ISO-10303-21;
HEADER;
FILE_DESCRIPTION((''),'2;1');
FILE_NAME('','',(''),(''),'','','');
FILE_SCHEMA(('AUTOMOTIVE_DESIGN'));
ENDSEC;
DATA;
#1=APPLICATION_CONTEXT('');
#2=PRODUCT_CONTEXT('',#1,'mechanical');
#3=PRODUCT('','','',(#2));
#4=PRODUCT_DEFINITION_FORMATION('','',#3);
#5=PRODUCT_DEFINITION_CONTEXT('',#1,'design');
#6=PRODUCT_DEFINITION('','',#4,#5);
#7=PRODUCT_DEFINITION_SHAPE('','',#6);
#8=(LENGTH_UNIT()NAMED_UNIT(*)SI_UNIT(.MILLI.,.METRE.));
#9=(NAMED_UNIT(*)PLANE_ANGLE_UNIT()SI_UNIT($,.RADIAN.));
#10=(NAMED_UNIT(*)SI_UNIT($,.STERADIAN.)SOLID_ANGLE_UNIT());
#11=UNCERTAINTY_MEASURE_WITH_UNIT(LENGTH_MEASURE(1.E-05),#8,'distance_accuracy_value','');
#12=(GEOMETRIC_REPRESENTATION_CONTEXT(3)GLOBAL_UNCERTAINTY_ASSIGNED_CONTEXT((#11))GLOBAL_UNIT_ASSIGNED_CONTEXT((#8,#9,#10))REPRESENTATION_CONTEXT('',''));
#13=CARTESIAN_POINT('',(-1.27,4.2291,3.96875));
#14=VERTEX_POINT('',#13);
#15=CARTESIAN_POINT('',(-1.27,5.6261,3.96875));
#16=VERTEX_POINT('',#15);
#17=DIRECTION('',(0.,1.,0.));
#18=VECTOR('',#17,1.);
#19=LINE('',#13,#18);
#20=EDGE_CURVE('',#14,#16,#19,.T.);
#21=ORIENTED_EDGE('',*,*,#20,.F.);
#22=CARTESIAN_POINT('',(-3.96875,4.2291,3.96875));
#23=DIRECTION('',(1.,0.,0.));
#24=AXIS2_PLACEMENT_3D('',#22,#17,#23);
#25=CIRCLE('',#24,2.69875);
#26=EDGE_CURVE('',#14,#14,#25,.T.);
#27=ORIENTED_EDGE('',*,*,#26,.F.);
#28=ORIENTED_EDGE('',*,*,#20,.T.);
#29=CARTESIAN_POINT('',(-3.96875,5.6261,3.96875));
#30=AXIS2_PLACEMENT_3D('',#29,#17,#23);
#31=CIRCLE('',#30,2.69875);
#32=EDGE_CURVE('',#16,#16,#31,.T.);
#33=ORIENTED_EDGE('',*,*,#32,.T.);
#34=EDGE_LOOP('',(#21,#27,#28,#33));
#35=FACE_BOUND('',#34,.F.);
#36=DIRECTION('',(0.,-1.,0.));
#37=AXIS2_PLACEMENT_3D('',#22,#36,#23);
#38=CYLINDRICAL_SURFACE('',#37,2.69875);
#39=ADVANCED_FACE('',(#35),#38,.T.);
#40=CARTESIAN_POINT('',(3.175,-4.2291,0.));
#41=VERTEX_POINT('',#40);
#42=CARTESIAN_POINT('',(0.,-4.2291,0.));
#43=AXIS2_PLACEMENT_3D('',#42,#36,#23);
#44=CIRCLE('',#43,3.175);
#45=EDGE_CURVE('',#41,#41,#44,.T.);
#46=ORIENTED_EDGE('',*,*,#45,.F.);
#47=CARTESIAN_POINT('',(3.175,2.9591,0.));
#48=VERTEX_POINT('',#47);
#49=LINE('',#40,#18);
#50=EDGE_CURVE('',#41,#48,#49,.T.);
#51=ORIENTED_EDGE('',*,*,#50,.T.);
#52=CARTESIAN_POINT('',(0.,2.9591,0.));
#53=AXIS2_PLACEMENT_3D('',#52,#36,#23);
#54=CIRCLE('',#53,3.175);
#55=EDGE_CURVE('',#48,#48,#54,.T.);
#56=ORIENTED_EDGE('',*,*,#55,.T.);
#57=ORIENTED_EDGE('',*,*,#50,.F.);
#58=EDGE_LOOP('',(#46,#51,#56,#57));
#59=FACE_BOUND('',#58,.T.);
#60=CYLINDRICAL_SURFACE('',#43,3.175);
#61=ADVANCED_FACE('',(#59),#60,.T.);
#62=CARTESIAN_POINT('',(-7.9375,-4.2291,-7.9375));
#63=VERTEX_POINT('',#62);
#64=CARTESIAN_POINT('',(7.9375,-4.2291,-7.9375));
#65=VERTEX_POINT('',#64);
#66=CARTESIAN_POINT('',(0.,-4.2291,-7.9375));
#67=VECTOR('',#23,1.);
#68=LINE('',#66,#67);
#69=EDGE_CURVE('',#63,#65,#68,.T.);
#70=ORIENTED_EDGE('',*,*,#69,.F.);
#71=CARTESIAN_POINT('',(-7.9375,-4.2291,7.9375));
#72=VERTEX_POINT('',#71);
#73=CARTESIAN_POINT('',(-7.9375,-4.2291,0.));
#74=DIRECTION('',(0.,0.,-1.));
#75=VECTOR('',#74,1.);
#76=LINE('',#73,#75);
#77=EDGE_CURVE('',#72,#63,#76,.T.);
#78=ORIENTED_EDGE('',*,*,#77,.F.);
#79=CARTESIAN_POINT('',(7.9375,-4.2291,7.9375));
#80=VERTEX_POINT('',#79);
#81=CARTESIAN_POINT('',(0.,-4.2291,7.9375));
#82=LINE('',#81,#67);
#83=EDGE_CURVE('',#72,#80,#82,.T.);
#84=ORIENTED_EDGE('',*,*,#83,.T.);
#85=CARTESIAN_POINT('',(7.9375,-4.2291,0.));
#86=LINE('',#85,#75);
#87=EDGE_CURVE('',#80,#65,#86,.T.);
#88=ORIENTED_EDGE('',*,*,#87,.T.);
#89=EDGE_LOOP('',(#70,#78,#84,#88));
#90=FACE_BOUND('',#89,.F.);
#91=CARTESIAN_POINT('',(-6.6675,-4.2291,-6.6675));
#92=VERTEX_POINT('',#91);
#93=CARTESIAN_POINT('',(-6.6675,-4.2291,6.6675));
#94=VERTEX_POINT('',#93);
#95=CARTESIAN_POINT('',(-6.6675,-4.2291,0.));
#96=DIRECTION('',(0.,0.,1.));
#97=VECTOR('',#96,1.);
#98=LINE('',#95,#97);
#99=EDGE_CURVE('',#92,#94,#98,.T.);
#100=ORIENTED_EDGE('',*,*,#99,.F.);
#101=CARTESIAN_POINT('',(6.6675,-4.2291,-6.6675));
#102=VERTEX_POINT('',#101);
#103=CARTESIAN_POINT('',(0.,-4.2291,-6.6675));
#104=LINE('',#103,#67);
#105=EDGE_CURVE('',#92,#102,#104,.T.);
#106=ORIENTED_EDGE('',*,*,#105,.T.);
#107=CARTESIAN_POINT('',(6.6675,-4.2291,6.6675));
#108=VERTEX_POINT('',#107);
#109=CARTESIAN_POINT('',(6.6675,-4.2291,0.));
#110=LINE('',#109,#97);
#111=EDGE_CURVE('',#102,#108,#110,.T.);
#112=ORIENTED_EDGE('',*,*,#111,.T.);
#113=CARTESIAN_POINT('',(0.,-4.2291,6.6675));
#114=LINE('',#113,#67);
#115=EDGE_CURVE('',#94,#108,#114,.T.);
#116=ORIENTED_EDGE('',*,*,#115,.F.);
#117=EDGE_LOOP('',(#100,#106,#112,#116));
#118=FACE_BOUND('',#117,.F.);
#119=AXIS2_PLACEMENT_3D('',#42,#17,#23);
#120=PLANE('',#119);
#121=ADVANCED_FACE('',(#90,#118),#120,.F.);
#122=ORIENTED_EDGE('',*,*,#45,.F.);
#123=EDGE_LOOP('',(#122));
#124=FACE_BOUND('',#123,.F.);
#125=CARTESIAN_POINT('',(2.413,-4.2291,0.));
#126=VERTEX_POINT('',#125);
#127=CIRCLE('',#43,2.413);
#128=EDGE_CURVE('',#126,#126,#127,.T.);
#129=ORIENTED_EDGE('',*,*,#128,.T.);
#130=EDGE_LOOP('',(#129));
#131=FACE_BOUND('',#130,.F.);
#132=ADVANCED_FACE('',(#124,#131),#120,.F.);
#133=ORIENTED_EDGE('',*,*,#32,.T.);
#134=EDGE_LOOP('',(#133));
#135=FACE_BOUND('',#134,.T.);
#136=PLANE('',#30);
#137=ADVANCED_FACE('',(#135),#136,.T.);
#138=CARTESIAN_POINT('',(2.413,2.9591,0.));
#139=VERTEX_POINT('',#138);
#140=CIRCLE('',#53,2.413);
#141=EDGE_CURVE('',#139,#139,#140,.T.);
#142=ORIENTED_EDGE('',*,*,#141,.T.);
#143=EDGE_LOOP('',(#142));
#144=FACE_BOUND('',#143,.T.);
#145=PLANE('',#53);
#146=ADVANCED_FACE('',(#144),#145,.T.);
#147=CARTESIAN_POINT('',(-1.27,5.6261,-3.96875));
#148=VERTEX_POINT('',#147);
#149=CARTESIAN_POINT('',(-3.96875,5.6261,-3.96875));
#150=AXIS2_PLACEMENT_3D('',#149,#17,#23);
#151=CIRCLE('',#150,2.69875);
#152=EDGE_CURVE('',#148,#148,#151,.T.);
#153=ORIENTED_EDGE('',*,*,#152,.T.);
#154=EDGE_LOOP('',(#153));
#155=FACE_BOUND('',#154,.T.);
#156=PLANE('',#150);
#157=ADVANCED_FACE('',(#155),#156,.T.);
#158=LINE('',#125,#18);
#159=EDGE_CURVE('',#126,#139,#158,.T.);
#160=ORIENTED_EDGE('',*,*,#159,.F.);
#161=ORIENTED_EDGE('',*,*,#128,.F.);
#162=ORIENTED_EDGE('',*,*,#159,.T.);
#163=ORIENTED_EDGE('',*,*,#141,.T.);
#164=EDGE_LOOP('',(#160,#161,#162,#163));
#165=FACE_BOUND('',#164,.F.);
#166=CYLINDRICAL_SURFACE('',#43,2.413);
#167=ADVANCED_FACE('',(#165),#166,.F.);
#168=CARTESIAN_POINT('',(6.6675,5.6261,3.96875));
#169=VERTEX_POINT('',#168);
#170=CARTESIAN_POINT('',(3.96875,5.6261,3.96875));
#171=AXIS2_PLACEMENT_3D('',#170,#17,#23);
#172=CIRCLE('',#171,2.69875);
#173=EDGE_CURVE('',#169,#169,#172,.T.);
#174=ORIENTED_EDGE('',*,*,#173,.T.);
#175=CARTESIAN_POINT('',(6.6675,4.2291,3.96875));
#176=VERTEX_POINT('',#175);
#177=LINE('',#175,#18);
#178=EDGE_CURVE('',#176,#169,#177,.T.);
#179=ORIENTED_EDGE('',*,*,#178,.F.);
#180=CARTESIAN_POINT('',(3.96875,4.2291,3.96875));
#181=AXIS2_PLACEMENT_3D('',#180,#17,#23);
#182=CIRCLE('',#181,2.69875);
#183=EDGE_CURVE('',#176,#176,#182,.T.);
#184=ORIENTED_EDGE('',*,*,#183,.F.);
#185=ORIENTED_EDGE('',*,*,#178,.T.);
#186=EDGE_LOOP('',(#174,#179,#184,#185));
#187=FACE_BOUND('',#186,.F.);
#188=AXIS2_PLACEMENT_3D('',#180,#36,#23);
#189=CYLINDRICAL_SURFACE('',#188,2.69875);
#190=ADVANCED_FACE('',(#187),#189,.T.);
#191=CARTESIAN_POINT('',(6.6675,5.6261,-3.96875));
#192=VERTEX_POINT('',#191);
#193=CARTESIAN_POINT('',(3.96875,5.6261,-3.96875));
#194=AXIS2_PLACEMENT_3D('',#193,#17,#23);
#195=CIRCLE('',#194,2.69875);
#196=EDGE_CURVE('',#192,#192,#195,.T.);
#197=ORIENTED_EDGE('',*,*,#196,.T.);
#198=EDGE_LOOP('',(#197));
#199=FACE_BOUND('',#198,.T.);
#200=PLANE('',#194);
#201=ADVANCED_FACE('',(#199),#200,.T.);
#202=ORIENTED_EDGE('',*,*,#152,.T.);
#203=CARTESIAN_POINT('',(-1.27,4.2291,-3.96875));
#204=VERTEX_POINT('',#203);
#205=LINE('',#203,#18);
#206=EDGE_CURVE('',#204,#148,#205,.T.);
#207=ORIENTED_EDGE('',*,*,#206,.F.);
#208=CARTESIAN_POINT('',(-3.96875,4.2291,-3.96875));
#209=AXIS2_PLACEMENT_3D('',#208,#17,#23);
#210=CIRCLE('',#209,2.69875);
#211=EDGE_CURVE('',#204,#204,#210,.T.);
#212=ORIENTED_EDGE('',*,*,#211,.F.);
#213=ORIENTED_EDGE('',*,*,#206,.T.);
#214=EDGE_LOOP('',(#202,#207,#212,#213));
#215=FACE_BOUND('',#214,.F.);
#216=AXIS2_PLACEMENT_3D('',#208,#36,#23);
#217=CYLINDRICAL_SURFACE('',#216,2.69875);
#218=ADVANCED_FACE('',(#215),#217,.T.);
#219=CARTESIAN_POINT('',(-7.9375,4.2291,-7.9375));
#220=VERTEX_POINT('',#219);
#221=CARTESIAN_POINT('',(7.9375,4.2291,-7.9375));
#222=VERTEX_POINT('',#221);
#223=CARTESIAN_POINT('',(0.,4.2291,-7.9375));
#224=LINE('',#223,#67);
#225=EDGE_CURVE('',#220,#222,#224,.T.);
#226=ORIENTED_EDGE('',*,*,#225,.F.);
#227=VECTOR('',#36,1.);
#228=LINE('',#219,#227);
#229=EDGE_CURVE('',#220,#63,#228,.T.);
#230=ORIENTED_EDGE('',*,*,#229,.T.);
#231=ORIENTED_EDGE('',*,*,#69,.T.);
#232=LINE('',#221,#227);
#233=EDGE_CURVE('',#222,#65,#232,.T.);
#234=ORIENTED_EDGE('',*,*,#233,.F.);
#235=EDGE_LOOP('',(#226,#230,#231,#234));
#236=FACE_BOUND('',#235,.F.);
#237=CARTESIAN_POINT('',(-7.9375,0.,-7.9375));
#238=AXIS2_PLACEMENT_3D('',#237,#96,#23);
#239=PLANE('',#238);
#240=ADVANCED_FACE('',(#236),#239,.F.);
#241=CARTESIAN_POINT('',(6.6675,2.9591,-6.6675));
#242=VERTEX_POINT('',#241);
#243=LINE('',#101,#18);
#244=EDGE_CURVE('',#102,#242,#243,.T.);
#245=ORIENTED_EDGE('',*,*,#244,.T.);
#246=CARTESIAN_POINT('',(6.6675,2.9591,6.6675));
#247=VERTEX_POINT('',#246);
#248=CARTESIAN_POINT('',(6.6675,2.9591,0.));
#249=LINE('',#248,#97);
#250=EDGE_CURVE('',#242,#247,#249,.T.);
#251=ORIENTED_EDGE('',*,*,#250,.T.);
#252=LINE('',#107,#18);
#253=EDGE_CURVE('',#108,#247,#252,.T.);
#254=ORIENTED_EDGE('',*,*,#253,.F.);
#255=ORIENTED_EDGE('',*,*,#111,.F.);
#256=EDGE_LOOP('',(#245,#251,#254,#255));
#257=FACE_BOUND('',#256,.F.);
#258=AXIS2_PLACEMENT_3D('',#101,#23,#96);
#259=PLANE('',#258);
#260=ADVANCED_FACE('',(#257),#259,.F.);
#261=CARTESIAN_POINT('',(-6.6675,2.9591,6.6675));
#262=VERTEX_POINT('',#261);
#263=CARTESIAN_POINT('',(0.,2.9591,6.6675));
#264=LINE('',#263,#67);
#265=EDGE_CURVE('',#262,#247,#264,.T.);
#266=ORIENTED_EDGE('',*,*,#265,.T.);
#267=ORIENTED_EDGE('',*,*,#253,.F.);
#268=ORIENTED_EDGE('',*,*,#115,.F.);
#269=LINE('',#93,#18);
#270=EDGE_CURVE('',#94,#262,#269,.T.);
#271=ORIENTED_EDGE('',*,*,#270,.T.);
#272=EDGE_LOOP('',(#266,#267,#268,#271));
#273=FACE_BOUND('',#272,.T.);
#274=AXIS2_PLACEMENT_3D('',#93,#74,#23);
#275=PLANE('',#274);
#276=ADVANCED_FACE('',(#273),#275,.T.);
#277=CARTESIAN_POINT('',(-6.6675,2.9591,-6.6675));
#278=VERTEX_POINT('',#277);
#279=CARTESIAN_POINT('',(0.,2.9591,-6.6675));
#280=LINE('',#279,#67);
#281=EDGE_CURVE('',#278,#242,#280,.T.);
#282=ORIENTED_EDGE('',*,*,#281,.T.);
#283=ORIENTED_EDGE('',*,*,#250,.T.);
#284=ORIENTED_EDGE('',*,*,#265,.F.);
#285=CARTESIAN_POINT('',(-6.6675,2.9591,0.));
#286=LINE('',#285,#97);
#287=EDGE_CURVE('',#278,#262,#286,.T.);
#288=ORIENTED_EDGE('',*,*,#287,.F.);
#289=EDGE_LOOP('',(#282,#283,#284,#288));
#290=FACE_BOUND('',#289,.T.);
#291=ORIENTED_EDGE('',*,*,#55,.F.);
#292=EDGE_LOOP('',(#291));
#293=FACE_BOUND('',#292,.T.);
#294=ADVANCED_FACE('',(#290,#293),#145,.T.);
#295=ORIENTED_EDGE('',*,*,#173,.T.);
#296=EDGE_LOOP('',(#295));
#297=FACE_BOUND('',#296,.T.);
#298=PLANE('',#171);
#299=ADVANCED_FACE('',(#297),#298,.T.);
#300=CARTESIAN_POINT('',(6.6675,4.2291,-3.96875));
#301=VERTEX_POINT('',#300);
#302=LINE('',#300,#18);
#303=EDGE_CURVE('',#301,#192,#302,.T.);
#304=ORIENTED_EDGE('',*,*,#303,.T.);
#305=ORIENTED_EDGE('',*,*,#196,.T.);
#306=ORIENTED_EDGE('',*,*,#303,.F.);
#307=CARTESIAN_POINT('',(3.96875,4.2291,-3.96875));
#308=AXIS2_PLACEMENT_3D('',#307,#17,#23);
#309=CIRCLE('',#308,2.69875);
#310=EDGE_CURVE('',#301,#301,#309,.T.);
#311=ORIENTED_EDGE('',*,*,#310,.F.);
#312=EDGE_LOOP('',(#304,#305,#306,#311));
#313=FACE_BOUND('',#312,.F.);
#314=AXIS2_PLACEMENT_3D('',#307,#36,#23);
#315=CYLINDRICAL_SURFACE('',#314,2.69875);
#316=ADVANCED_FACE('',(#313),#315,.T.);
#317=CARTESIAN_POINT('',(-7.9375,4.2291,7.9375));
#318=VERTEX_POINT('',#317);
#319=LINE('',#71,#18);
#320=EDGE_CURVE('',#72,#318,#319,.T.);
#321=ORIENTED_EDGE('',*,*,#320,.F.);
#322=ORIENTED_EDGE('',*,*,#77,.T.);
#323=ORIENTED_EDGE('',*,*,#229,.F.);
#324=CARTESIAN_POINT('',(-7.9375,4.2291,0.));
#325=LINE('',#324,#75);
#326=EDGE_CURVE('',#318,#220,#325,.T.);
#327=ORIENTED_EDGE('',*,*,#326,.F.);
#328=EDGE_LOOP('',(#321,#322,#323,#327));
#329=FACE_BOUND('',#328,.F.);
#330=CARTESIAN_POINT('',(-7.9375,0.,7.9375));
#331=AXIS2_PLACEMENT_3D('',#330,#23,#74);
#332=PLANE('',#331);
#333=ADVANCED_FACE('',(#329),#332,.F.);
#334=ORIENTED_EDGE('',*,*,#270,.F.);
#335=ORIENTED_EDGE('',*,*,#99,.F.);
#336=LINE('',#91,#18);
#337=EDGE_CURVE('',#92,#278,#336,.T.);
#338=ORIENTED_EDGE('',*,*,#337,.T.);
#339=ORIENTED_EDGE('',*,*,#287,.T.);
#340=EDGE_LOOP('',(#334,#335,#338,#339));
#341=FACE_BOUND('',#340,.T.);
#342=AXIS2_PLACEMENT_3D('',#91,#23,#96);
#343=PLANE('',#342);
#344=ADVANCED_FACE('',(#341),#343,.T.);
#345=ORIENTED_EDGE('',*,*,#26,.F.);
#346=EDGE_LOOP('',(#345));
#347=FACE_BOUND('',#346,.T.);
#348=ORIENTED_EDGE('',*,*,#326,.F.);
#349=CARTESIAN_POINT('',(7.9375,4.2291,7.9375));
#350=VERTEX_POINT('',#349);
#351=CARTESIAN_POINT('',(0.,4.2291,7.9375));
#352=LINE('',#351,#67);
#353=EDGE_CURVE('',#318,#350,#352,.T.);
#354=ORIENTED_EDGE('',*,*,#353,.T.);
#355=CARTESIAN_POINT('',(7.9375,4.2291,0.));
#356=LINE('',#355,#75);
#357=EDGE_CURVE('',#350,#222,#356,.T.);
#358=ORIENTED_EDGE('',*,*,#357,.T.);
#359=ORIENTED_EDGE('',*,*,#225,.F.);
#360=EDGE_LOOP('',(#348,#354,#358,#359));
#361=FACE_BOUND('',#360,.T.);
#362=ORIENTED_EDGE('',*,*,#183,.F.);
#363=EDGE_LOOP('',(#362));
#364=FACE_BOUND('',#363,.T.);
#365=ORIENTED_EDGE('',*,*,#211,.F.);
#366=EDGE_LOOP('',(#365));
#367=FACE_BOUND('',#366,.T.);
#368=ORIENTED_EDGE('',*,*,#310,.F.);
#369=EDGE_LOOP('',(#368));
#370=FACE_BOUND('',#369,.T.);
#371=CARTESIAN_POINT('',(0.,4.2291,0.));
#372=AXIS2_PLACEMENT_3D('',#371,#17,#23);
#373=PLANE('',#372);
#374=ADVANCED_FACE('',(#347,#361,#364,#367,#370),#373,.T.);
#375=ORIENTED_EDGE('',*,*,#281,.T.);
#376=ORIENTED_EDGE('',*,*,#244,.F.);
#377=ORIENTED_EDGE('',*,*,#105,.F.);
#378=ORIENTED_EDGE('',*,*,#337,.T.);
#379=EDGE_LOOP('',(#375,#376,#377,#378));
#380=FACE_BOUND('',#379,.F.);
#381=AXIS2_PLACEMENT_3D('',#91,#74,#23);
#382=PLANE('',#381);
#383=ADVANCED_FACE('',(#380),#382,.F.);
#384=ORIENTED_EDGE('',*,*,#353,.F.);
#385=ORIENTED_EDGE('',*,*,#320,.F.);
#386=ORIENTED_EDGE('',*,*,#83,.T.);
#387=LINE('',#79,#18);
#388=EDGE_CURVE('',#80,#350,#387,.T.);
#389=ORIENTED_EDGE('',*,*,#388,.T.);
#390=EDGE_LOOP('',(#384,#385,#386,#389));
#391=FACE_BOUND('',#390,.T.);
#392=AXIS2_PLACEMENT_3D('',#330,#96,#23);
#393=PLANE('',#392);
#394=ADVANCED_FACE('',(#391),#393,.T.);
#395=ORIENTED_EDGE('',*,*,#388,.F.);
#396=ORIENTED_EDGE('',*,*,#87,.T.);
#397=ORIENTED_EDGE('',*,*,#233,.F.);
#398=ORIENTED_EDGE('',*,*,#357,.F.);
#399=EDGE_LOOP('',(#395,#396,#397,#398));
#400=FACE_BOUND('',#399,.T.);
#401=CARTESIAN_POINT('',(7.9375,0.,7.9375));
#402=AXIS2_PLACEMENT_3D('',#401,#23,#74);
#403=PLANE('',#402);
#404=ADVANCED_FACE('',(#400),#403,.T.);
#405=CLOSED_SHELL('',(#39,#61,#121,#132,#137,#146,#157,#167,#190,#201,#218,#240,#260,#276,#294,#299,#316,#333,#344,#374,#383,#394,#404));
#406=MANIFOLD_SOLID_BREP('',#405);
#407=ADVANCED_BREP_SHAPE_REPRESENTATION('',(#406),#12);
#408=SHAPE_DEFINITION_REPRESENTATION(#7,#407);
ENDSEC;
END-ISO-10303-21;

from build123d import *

# Parameters (mm, degrees)
SKETCH1_W           = 15.875
SKETCH1_H           = 15.875
BOSS_EXTRUDE1_DEPTH = 4.2291
SKETCH2_W           = 13.335
SKETCH2_H           = 13.335
SKETCH2_R           = 3.175
SKETCH2_R_2         = 2.413
CUT_EXTRUDE1_DEPTH  = 7.1882
SKETCH3_R           = 2.69875
BOSS_EXTRUDE2_DEPTH = 1.397


with BuildPart() as part:
    # Sketch1 → Boss-Extrude1 (new body, symmetric)
    with BuildSketch(Plane(origin=(0, 0, 0), x_dir=(1, 0, 0), z_dir=(0, 1, 0))):
        Rectangle(SKETCH1_W, SKETCH1_H)
    extrude(amount=BOSS_EXTRUDE1_DEPTH, both=True)

    # Sketch2 → Cut-Extrude1 (cut)
    with BuildSketch(Plane.XZ.offset(4.2291)):
        Rectangle(SKETCH2_W, SKETCH2_H)
        Circle(SKETCH2_R, mode=Mode.SUBTRACT)
        Circle(SKETCH2_R_2)
    extrude(amount=-CUT_EXTRUDE1_DEPTH, mode=Mode.SUBTRACT)

    # Sketch3 → Boss-Extrude2 (add)
    with BuildSketch(Plane(origin=(0, 4.2291, 0), x_dir=(1, 0, 0), z_dir=(0, 1, 0))):
        with Locations((3.96875, -3.96875)):
            Circle(SKETCH3_R)
        with Locations((3.96875, 3.96875)):
            Circle(SKETCH3_R)
        with Locations((-3.96875, -3.96875)):
            Circle(SKETCH3_R)
        with Locations((-3.96875, 3.96875)):
            Circle(SKETCH3_R)
    extrude(amount=BOSS_EXTRUDE2_DEPTH)


solid = part.part
